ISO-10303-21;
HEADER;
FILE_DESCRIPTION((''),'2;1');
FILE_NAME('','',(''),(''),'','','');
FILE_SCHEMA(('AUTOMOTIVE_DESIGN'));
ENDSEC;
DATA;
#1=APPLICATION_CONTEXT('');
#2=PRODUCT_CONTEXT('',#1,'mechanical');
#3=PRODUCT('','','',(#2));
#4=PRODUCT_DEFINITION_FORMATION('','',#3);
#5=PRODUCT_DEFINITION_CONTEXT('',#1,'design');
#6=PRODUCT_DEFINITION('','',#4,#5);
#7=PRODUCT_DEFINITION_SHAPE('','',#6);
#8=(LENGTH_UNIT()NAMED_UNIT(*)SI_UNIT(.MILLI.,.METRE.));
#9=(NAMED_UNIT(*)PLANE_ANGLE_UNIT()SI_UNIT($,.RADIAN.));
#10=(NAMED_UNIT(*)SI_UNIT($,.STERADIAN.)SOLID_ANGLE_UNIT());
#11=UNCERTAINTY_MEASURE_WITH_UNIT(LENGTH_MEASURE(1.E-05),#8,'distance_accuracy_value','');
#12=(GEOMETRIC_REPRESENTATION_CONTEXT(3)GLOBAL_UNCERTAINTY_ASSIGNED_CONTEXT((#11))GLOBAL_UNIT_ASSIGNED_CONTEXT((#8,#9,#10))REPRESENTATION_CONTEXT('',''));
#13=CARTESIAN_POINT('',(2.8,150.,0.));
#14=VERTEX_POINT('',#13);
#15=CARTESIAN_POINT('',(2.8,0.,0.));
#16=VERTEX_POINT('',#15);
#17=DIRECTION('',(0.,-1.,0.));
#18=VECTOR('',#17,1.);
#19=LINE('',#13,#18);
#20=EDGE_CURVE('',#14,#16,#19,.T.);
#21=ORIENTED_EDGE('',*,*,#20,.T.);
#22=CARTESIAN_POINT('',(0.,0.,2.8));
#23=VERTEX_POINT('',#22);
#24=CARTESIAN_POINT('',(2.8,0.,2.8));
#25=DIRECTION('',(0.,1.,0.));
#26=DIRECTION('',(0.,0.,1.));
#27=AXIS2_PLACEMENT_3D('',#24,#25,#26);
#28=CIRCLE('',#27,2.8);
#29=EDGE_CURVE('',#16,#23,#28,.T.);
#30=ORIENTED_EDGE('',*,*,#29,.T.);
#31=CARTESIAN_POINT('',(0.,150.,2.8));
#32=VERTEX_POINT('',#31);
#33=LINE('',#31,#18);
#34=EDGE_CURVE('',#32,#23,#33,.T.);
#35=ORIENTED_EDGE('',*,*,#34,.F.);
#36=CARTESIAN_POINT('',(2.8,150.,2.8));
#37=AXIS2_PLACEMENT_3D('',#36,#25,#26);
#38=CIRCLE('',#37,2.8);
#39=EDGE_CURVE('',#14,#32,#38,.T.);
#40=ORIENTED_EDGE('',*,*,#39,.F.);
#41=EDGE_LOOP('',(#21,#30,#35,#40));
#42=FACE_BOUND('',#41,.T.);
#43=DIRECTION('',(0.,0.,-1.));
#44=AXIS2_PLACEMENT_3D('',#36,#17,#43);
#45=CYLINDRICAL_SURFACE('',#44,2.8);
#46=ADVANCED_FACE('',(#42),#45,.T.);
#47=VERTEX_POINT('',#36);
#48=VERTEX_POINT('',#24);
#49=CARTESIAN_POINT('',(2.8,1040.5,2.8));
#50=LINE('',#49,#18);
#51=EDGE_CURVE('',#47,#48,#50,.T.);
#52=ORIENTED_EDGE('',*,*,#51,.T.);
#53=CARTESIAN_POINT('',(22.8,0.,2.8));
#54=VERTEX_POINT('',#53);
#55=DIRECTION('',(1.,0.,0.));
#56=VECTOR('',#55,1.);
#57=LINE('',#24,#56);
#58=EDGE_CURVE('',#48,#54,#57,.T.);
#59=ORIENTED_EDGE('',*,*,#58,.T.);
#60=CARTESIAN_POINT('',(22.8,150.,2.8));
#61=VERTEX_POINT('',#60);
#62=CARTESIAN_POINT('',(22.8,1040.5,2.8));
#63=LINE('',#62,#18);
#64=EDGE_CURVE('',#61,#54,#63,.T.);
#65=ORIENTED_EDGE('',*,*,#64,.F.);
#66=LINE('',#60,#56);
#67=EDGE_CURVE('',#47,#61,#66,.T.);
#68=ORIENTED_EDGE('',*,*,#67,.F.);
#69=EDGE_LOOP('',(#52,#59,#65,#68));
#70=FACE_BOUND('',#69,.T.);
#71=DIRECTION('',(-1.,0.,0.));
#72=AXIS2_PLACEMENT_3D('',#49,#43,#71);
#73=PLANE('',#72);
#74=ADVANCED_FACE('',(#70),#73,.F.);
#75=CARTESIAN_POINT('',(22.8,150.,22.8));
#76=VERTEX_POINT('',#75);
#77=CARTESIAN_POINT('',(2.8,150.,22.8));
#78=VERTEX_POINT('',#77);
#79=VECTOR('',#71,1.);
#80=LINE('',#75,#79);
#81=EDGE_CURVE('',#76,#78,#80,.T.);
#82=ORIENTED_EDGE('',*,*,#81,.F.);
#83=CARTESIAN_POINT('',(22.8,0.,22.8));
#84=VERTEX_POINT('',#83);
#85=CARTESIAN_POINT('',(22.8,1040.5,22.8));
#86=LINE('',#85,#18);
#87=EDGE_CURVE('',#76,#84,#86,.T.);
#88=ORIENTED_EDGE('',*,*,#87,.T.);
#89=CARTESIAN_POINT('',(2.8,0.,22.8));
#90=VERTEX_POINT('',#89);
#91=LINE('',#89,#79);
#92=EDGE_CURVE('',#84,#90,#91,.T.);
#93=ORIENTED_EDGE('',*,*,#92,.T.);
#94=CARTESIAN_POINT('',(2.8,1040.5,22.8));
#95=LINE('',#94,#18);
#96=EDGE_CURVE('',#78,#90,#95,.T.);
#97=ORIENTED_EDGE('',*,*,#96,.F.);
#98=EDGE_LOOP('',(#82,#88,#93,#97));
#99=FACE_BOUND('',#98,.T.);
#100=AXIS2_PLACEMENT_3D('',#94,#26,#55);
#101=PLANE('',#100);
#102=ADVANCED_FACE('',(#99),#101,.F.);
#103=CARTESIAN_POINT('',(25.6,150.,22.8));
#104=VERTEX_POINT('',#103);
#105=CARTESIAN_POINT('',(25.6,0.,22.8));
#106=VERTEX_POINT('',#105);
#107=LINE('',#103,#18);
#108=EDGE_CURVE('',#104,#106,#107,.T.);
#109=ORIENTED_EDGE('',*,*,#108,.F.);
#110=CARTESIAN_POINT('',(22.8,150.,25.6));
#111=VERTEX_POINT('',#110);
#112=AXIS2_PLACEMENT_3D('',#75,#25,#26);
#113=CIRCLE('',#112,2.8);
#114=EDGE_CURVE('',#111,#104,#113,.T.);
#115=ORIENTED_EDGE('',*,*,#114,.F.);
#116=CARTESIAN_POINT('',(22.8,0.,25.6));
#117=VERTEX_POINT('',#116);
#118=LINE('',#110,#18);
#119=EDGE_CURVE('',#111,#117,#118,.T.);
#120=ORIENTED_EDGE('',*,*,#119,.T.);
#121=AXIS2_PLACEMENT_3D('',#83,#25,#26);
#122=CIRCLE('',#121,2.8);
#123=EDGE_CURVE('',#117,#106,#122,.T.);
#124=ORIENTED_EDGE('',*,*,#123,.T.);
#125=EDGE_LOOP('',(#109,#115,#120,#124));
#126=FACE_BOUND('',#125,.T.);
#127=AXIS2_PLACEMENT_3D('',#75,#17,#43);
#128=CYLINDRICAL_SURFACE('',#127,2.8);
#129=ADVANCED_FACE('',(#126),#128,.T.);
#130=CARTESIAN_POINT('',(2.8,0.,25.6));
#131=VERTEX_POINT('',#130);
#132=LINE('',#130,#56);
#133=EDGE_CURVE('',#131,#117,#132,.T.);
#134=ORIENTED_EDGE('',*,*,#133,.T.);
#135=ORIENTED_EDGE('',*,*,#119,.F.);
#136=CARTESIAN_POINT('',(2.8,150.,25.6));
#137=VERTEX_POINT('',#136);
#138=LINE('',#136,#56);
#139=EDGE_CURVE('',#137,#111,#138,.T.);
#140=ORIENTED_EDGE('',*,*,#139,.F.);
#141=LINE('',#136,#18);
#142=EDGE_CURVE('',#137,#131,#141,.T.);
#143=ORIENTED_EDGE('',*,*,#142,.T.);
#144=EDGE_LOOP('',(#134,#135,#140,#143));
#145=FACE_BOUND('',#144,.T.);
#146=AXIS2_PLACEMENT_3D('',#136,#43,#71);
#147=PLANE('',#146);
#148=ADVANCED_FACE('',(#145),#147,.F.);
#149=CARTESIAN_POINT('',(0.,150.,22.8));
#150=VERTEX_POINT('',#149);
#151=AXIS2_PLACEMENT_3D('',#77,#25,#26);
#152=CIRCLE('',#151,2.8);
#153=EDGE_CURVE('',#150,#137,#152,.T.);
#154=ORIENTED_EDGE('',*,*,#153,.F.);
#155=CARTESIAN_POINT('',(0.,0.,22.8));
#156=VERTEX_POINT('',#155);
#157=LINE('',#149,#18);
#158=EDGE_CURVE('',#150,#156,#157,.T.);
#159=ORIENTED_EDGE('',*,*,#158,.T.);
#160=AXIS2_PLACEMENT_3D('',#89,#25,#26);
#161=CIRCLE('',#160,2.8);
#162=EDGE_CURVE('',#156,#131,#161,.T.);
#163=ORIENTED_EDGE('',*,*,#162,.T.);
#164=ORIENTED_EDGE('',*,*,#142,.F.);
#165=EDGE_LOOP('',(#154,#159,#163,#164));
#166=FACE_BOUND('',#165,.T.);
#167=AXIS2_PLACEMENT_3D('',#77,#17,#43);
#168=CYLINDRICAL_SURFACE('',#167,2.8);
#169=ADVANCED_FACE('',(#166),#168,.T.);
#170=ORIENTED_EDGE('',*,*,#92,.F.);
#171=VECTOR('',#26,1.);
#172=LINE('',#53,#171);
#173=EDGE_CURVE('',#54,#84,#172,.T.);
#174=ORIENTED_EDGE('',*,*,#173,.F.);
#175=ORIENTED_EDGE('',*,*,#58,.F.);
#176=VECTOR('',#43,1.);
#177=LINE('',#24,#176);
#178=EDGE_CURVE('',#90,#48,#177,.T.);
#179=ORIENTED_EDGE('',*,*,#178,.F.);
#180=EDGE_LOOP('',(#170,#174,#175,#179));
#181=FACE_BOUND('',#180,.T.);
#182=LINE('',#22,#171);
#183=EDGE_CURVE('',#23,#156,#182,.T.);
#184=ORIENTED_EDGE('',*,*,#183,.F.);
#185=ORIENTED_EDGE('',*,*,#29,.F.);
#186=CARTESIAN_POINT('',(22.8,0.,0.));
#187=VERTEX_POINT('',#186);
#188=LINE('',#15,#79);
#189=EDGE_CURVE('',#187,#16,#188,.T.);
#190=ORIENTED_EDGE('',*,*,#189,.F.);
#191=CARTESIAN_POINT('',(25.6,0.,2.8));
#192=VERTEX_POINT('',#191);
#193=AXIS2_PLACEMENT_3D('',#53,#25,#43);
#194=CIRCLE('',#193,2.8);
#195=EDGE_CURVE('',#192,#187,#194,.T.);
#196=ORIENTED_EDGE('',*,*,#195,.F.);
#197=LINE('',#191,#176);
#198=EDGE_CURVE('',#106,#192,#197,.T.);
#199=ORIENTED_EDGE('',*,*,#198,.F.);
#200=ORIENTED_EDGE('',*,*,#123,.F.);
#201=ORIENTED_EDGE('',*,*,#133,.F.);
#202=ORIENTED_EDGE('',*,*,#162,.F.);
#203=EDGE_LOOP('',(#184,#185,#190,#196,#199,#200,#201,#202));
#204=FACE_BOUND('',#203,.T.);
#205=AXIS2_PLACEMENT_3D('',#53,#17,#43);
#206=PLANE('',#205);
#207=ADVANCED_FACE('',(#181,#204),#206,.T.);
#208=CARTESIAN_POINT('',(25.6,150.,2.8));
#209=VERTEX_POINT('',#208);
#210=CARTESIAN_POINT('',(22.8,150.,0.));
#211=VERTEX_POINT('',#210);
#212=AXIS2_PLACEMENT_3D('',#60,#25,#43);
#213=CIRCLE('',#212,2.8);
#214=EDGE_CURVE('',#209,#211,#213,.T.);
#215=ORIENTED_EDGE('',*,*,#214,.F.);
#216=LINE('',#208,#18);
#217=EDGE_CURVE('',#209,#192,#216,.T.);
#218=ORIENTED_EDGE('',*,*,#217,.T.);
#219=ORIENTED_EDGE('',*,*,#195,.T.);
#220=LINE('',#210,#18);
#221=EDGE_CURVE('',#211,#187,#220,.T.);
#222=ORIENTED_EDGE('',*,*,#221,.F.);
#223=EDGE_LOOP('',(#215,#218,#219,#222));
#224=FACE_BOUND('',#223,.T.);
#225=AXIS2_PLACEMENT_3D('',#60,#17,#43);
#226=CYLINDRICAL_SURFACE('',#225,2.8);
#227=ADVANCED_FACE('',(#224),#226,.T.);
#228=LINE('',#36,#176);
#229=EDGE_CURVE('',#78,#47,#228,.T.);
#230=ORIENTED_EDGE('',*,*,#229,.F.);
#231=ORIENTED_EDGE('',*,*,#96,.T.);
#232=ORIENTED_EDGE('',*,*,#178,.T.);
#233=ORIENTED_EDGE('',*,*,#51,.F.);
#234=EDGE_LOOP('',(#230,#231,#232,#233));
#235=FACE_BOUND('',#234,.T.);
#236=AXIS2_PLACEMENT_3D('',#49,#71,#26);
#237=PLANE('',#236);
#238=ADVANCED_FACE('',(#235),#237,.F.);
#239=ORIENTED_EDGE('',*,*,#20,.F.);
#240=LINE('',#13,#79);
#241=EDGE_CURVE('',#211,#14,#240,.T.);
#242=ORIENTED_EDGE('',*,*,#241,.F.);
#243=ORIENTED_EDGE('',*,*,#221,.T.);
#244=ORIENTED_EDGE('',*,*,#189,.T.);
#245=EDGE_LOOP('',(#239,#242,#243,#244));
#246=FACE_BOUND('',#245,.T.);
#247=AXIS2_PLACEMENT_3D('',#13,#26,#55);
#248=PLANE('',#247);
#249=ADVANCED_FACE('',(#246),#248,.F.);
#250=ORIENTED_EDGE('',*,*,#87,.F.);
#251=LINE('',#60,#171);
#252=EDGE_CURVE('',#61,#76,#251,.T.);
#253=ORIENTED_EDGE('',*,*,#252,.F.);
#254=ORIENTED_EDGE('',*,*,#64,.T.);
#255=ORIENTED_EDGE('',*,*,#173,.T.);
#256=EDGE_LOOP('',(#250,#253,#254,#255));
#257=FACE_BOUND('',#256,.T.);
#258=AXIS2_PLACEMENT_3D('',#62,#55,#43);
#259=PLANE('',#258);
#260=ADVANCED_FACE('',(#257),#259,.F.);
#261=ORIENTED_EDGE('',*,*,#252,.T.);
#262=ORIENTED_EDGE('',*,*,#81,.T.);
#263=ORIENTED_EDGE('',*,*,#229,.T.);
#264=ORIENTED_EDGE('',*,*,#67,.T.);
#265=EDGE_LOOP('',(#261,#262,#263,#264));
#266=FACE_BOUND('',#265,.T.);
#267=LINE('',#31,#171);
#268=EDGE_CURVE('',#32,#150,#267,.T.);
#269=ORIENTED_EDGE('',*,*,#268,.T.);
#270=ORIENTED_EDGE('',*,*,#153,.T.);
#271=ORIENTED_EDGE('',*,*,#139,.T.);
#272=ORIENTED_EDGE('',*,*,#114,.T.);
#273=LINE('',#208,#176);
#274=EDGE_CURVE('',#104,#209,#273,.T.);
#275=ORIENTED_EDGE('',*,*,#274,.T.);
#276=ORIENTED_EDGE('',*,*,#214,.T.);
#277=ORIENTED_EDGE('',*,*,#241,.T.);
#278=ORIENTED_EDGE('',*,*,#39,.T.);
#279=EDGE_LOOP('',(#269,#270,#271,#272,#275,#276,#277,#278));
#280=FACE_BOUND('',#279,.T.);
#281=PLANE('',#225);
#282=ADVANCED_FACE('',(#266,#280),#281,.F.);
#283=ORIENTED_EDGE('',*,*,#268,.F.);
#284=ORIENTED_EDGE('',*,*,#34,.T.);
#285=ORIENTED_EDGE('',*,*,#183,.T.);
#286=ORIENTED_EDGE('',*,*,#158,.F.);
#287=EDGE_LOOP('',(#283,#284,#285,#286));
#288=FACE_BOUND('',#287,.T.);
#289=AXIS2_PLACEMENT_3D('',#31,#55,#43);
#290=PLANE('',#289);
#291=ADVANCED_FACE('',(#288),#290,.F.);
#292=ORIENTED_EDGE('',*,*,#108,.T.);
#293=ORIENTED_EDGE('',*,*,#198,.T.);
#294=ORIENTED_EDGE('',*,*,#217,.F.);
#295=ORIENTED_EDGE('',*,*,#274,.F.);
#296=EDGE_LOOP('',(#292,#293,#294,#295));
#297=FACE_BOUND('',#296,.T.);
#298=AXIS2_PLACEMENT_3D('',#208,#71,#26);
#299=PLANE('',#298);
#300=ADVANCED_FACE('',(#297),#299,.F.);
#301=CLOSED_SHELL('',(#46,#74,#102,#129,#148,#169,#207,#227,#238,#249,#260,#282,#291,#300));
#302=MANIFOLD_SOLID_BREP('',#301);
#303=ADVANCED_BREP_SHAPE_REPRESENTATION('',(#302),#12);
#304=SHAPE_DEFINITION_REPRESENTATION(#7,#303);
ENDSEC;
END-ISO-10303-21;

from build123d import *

# Parameters (mm, degrees)
BOSS_EXTRUDE1_DEPTH = 150
SKETCH3_W           = 20
SKETCH3_H           = 20
CUT_EXTRUDE1_DEPTH  = 1040.5


with BuildPart() as part:
    # Sketch1 → Boss-Extrude1 (new body)
    with BuildSketch(Plane(origin=(0, 0, 0), x_dir=(1, 0, 0), z_dir=(0, 1, 0))):
        with BuildLine():
            Line((2.8, 0), (22.8, 0))
            ThreePointArc((22.8, 0), (24.779898987, -0.820101013), (25.6, -2.8))
            Line((25.6, -2.8), (25.6, -22.8))
            ThreePointArc((25.6, -22.8), (24.779898987, -24.779898987), (22.8, -25.6))
            Line((22.8, -25.6), (2.8, -25.6))
            ThreePointArc((2.8, -25.6), (0.820101013, -24.779898987), (0, -22.8))
            Line((0, -22.8), (0, -2.8))
            ThreePointArc((0, -2.8), (0.820101013, -0.820101013), (2.8, 0))
        make_face()
    extrude(amount=BOSS_EXTRUDE1_DEPTH)

    # Sketch3 → Cut-Extrude1 (cut)
    with BuildSketch(Plane(origin=(0, 0, 0), x_dir=(-1, 0, 0), z_dir=(0, -1, 0))):
        with Locations((-12.8, -12.8)):
            Rectangle(SKETCH3_W, SKETCH3_H)
    extrude(amount=-CUT_EXTRUDE1_DEPTH, mode=Mode.SUBTRACT)


solid = part.part
